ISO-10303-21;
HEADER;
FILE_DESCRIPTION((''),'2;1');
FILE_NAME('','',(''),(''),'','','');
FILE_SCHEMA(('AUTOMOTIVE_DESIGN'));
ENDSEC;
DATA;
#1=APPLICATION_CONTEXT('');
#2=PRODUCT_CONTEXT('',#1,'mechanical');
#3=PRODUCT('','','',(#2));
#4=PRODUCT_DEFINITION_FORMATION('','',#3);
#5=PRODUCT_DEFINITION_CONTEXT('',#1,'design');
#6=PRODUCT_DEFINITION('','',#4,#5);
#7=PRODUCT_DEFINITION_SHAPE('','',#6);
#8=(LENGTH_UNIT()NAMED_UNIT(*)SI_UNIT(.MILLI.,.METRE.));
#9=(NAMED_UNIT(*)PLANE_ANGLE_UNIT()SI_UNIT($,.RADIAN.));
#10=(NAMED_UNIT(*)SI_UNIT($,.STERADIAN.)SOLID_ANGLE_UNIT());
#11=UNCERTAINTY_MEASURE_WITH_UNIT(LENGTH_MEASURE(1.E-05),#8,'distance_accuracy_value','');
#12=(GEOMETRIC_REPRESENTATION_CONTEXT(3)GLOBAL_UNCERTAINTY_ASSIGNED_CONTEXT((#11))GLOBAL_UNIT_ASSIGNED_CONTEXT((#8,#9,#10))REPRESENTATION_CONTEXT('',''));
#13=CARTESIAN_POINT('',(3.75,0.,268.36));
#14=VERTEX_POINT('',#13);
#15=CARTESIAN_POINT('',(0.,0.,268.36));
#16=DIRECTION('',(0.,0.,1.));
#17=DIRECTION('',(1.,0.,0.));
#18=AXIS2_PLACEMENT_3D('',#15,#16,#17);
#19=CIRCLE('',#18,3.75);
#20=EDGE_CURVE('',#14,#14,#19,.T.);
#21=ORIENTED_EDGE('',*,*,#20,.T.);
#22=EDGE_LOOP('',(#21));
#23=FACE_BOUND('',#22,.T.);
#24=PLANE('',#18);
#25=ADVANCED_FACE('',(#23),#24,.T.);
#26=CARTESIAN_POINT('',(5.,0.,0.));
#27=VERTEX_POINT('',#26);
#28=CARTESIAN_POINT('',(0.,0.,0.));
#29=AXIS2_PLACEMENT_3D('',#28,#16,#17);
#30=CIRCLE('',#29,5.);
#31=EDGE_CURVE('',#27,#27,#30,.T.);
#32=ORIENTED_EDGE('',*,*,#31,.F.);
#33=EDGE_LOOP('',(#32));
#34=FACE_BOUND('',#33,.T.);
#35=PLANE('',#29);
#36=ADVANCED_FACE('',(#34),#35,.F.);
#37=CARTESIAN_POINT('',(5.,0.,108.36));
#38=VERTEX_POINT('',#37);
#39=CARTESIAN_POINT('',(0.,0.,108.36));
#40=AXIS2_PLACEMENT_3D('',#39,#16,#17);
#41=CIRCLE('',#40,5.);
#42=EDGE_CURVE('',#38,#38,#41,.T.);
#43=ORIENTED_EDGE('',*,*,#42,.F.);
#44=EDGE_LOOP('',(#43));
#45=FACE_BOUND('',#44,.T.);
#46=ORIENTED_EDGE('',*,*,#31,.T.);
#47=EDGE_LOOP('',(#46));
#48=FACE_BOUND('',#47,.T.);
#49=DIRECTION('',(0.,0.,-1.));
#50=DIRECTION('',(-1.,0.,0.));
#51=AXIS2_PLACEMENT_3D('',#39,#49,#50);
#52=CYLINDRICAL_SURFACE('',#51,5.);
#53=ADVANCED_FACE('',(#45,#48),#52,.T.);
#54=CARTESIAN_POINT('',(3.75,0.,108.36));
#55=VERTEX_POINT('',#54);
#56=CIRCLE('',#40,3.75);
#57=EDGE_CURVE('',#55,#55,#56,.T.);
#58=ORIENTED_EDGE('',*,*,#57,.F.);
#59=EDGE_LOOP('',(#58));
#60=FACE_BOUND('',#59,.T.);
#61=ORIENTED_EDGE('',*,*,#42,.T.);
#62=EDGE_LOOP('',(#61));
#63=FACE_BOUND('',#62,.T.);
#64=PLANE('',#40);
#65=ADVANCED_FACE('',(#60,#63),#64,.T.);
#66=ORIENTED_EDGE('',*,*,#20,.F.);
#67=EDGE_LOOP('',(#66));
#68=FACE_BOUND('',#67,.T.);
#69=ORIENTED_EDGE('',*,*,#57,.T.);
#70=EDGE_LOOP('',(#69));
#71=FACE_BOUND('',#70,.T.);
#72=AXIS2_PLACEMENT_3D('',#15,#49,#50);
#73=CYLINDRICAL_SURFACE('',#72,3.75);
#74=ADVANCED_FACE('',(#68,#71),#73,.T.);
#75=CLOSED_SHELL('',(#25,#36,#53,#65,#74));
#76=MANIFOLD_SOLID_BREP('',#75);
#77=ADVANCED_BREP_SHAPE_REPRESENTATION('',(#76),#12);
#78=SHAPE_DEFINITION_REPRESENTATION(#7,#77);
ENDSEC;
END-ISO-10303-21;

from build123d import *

# Parameters (mm, degrees)
SKETCH1_R           = 5
BOSS_EXTRUDE1_DEPTH = 108.36
SKETCH2_R           = 3.75
BOSS_EXTRUDE2_DEPTH = 160


with BuildPart() as part:
    # Sketch1 → Boss-Extrude1 (new body)
    with BuildSketch(Plane.XY):
        Circle(SKETCH1_R)
    extrude(amount=BOSS_EXTRUDE1_DEPTH)

    # Sketch2 → Boss-Extrude2 (add)
    with BuildSketch(Plane.XY.offset(108.36)):
        Circle(SKETCH2_R)
    extrude(amount=BOSS_EXTRUDE2_DEPTH)


solid = part.part
